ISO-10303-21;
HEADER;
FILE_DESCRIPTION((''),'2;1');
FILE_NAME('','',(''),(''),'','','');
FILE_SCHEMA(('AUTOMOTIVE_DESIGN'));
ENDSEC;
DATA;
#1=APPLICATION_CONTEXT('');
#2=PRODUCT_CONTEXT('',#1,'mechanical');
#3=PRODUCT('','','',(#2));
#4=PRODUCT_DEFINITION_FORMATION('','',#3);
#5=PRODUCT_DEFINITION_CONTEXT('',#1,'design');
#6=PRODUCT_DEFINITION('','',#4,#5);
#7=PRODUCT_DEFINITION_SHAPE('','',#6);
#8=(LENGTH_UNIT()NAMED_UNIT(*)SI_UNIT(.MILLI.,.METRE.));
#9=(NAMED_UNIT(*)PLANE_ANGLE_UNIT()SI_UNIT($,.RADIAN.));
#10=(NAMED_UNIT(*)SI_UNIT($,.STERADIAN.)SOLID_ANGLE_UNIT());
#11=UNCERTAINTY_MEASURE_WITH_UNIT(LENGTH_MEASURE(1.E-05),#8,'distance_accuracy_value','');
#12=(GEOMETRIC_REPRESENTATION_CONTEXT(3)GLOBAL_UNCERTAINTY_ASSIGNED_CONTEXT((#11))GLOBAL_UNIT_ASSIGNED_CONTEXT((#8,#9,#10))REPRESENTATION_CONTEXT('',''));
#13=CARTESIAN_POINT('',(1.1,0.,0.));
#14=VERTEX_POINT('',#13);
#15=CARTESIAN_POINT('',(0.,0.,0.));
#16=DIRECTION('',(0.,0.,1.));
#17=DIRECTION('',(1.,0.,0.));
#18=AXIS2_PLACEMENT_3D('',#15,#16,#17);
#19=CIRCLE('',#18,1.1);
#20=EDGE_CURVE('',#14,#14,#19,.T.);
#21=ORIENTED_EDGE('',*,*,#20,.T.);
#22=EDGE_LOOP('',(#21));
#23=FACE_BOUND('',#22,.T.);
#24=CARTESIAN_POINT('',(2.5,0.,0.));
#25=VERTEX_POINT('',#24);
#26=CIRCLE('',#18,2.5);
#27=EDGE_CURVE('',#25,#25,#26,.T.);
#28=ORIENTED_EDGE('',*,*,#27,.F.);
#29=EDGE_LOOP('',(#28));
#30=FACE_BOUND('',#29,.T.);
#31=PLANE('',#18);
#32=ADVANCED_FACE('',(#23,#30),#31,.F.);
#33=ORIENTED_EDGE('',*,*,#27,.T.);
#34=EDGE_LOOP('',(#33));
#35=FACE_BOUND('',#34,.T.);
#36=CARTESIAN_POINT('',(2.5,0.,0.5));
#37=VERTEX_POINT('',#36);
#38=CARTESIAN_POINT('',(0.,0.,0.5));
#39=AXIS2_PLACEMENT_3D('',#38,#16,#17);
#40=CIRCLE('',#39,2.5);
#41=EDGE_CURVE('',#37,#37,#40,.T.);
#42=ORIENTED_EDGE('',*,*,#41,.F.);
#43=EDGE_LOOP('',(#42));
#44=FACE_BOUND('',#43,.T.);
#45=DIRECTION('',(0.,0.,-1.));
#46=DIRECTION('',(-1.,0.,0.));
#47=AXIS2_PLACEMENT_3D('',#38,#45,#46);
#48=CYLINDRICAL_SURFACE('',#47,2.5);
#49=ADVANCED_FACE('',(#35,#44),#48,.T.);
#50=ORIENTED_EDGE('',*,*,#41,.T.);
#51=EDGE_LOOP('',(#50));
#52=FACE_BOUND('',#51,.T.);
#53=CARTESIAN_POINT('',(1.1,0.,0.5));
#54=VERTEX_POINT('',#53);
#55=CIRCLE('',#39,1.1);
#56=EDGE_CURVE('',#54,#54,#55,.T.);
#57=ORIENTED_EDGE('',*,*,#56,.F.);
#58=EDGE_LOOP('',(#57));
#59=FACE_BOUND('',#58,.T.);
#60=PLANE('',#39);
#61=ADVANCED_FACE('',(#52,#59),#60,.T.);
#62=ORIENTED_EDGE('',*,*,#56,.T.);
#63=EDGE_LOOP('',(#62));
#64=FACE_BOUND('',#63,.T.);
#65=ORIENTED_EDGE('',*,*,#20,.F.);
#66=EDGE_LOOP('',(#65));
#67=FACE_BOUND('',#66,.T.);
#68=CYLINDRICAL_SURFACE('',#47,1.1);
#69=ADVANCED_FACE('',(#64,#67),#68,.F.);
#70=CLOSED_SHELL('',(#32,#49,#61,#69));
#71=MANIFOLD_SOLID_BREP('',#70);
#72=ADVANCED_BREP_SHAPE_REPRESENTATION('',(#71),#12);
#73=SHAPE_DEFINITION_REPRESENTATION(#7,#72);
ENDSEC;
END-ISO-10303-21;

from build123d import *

# Parameters (mm, degrees)
WASHER_PROFILE_R   = 2.5
WASHER_PROFILE_R_2 = 1.1
WASHER_DEPTH       = 0.5


with BuildPart() as part:
    # Washer_profile → Washer (new body)
    with BuildSketch(Plane.XY):
        Circle(WASHER_PROFILE_R)
        Circle(WASHER_PROFILE_R_2, mode=Mode.SUBTRACT)
    extrude(amount=WASHER_DEPTH)


solid = part.part
